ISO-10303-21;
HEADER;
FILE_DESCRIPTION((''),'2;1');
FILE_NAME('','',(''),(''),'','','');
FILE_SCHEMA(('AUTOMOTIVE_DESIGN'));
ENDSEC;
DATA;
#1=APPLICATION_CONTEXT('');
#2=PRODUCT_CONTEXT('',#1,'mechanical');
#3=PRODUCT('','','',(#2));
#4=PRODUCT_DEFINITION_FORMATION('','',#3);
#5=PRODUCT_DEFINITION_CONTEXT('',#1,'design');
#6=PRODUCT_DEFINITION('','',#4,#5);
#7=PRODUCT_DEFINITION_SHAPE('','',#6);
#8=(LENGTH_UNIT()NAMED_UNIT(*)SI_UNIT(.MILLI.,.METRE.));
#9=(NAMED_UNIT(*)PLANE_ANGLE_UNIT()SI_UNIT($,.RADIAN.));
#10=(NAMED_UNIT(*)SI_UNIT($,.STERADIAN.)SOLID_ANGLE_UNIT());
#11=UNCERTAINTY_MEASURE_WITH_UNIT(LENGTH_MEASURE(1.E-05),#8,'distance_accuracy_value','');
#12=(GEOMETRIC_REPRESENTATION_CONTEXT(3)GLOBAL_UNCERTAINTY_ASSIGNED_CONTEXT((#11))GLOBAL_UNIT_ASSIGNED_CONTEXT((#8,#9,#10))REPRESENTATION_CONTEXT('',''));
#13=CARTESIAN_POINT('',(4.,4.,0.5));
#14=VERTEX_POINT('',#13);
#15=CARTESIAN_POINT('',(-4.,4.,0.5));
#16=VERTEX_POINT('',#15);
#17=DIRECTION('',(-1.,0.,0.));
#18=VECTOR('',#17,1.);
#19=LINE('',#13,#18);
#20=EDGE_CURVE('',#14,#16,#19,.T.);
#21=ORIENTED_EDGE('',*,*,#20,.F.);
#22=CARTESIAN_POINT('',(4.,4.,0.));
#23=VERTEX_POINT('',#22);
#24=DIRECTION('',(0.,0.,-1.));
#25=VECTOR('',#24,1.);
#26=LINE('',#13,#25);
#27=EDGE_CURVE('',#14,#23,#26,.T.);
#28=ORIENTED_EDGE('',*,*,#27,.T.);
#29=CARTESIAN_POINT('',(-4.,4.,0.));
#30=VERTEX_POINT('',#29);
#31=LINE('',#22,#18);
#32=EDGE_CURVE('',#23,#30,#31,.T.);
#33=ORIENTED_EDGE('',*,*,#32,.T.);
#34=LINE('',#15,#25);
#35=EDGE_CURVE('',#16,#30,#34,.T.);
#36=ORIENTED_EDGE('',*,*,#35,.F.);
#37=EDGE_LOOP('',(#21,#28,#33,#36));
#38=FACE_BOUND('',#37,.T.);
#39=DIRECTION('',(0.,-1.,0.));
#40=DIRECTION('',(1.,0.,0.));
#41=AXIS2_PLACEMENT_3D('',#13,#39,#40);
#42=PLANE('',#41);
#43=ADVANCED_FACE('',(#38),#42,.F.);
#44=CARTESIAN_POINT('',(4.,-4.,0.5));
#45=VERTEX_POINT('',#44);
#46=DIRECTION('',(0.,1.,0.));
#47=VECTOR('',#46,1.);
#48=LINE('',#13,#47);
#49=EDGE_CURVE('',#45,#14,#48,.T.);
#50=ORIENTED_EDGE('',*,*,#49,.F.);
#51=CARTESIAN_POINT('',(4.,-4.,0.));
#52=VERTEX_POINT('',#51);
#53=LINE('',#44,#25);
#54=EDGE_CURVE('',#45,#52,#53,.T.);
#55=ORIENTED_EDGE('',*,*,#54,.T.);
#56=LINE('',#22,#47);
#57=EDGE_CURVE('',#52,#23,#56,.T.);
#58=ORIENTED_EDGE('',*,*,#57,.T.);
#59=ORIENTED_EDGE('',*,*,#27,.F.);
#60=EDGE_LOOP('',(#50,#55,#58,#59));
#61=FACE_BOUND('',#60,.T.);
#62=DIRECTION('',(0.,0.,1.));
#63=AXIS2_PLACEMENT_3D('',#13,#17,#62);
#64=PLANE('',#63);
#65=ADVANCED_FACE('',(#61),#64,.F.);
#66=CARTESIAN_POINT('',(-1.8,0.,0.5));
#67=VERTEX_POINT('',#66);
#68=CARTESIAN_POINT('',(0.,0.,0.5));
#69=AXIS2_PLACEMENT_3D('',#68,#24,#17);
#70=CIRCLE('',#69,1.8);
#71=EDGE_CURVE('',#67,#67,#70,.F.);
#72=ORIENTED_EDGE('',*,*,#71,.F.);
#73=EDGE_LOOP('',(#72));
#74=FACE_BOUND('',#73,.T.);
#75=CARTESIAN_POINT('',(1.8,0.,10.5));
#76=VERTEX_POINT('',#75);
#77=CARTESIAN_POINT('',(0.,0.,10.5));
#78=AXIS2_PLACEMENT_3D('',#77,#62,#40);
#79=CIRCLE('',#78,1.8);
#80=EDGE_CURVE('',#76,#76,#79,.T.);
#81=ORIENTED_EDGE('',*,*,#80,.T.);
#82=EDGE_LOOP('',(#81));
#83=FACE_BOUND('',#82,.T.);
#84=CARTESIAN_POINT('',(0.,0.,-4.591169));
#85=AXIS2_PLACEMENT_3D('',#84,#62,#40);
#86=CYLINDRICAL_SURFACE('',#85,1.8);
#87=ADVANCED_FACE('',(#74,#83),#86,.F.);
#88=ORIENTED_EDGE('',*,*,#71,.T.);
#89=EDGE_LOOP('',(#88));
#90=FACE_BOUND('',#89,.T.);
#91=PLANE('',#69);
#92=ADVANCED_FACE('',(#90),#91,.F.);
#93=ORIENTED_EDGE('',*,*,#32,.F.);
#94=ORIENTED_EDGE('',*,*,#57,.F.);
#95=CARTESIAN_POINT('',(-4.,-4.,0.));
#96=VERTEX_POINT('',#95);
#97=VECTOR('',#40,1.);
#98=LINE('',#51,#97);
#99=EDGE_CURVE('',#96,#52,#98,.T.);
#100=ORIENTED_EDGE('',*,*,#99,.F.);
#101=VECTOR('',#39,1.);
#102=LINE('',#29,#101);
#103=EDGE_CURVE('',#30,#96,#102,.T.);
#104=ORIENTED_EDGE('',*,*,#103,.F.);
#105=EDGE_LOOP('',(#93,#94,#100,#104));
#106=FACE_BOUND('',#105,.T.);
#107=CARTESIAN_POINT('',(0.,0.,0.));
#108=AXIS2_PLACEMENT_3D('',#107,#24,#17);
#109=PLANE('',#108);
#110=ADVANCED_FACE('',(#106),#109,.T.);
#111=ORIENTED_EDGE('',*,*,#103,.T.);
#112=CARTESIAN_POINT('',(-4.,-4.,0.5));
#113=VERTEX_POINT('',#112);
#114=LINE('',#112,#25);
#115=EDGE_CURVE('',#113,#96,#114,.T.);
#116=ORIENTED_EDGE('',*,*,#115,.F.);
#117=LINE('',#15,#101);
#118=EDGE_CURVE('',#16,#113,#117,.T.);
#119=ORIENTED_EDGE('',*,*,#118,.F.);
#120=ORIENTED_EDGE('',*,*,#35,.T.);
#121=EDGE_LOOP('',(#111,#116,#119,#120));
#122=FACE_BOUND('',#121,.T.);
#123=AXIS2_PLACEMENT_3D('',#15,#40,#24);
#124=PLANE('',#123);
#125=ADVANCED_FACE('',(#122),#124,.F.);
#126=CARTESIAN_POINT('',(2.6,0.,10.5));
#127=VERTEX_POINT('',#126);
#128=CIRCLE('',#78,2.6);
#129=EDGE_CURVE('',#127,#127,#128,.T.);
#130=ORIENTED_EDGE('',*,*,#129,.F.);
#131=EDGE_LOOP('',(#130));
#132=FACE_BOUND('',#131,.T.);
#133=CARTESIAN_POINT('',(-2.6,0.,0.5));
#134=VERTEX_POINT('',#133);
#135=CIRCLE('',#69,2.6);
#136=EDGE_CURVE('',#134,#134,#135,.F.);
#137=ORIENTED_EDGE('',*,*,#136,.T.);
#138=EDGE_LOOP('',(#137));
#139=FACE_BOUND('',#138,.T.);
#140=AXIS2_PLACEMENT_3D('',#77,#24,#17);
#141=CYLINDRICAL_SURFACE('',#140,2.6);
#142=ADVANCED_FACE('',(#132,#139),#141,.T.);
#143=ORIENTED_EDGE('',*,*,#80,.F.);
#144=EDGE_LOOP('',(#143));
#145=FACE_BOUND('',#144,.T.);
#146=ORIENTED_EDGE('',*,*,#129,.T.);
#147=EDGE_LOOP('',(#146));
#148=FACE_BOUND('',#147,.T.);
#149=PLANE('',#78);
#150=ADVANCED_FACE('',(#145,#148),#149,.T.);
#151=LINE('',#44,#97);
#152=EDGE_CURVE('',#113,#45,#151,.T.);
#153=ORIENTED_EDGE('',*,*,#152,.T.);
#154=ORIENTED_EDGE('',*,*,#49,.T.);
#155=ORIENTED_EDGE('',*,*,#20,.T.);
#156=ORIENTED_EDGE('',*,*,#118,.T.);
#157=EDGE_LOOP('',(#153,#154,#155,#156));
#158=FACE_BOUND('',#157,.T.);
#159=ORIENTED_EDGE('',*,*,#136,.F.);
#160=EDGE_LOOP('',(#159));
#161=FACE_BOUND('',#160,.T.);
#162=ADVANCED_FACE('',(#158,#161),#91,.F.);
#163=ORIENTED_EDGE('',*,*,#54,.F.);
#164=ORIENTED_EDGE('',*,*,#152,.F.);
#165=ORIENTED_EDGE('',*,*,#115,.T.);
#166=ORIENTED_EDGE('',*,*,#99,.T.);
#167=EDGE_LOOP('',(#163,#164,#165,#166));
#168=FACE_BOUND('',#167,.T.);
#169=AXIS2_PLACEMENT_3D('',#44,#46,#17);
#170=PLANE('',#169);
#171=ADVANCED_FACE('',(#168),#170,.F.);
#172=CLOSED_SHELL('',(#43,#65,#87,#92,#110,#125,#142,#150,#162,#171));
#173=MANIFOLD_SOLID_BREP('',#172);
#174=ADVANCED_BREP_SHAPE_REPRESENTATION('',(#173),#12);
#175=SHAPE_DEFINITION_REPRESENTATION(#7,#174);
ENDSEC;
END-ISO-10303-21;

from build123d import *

# Parameters (mm, degrees)
SKETCH1_W           = 8
SKETCH1_H           = 8
BOSS_EXTRUDE1_DEPTH = 0.5
SKETCH4_R           = 2.6
BOSS_EXTRUDE3_DEPTH = 10
SKETCH6_R           = 1.8
CUT_EXTRUDE2_DEPTH  = 10


with BuildPart() as part:
    # Sketch1 → Boss-Extrude1 (new body)
    with BuildSketch(Plane.XY):
        Rectangle(SKETCH1_W, SKETCH1_H)
    extrude(amount=BOSS_EXTRUDE1_DEPTH)

    # Sketch4 → Boss-Extrude3 (add)
    with BuildSketch(Plane.XY.offset(0.5)):
        Circle(SKETCH4_R)
    extrude(amount=BOSS_EXTRUDE3_DEPTH)

    # Sketch6 → Cut-Extrude2 (cut)
    with BuildSketch(Plane.XY.offset(10.5)):
        Circle(SKETCH6_R)
    extrude(amount=-CUT_EXTRUDE2_DEPTH, mode=Mode.SUBTRACT)


solid = part.part
